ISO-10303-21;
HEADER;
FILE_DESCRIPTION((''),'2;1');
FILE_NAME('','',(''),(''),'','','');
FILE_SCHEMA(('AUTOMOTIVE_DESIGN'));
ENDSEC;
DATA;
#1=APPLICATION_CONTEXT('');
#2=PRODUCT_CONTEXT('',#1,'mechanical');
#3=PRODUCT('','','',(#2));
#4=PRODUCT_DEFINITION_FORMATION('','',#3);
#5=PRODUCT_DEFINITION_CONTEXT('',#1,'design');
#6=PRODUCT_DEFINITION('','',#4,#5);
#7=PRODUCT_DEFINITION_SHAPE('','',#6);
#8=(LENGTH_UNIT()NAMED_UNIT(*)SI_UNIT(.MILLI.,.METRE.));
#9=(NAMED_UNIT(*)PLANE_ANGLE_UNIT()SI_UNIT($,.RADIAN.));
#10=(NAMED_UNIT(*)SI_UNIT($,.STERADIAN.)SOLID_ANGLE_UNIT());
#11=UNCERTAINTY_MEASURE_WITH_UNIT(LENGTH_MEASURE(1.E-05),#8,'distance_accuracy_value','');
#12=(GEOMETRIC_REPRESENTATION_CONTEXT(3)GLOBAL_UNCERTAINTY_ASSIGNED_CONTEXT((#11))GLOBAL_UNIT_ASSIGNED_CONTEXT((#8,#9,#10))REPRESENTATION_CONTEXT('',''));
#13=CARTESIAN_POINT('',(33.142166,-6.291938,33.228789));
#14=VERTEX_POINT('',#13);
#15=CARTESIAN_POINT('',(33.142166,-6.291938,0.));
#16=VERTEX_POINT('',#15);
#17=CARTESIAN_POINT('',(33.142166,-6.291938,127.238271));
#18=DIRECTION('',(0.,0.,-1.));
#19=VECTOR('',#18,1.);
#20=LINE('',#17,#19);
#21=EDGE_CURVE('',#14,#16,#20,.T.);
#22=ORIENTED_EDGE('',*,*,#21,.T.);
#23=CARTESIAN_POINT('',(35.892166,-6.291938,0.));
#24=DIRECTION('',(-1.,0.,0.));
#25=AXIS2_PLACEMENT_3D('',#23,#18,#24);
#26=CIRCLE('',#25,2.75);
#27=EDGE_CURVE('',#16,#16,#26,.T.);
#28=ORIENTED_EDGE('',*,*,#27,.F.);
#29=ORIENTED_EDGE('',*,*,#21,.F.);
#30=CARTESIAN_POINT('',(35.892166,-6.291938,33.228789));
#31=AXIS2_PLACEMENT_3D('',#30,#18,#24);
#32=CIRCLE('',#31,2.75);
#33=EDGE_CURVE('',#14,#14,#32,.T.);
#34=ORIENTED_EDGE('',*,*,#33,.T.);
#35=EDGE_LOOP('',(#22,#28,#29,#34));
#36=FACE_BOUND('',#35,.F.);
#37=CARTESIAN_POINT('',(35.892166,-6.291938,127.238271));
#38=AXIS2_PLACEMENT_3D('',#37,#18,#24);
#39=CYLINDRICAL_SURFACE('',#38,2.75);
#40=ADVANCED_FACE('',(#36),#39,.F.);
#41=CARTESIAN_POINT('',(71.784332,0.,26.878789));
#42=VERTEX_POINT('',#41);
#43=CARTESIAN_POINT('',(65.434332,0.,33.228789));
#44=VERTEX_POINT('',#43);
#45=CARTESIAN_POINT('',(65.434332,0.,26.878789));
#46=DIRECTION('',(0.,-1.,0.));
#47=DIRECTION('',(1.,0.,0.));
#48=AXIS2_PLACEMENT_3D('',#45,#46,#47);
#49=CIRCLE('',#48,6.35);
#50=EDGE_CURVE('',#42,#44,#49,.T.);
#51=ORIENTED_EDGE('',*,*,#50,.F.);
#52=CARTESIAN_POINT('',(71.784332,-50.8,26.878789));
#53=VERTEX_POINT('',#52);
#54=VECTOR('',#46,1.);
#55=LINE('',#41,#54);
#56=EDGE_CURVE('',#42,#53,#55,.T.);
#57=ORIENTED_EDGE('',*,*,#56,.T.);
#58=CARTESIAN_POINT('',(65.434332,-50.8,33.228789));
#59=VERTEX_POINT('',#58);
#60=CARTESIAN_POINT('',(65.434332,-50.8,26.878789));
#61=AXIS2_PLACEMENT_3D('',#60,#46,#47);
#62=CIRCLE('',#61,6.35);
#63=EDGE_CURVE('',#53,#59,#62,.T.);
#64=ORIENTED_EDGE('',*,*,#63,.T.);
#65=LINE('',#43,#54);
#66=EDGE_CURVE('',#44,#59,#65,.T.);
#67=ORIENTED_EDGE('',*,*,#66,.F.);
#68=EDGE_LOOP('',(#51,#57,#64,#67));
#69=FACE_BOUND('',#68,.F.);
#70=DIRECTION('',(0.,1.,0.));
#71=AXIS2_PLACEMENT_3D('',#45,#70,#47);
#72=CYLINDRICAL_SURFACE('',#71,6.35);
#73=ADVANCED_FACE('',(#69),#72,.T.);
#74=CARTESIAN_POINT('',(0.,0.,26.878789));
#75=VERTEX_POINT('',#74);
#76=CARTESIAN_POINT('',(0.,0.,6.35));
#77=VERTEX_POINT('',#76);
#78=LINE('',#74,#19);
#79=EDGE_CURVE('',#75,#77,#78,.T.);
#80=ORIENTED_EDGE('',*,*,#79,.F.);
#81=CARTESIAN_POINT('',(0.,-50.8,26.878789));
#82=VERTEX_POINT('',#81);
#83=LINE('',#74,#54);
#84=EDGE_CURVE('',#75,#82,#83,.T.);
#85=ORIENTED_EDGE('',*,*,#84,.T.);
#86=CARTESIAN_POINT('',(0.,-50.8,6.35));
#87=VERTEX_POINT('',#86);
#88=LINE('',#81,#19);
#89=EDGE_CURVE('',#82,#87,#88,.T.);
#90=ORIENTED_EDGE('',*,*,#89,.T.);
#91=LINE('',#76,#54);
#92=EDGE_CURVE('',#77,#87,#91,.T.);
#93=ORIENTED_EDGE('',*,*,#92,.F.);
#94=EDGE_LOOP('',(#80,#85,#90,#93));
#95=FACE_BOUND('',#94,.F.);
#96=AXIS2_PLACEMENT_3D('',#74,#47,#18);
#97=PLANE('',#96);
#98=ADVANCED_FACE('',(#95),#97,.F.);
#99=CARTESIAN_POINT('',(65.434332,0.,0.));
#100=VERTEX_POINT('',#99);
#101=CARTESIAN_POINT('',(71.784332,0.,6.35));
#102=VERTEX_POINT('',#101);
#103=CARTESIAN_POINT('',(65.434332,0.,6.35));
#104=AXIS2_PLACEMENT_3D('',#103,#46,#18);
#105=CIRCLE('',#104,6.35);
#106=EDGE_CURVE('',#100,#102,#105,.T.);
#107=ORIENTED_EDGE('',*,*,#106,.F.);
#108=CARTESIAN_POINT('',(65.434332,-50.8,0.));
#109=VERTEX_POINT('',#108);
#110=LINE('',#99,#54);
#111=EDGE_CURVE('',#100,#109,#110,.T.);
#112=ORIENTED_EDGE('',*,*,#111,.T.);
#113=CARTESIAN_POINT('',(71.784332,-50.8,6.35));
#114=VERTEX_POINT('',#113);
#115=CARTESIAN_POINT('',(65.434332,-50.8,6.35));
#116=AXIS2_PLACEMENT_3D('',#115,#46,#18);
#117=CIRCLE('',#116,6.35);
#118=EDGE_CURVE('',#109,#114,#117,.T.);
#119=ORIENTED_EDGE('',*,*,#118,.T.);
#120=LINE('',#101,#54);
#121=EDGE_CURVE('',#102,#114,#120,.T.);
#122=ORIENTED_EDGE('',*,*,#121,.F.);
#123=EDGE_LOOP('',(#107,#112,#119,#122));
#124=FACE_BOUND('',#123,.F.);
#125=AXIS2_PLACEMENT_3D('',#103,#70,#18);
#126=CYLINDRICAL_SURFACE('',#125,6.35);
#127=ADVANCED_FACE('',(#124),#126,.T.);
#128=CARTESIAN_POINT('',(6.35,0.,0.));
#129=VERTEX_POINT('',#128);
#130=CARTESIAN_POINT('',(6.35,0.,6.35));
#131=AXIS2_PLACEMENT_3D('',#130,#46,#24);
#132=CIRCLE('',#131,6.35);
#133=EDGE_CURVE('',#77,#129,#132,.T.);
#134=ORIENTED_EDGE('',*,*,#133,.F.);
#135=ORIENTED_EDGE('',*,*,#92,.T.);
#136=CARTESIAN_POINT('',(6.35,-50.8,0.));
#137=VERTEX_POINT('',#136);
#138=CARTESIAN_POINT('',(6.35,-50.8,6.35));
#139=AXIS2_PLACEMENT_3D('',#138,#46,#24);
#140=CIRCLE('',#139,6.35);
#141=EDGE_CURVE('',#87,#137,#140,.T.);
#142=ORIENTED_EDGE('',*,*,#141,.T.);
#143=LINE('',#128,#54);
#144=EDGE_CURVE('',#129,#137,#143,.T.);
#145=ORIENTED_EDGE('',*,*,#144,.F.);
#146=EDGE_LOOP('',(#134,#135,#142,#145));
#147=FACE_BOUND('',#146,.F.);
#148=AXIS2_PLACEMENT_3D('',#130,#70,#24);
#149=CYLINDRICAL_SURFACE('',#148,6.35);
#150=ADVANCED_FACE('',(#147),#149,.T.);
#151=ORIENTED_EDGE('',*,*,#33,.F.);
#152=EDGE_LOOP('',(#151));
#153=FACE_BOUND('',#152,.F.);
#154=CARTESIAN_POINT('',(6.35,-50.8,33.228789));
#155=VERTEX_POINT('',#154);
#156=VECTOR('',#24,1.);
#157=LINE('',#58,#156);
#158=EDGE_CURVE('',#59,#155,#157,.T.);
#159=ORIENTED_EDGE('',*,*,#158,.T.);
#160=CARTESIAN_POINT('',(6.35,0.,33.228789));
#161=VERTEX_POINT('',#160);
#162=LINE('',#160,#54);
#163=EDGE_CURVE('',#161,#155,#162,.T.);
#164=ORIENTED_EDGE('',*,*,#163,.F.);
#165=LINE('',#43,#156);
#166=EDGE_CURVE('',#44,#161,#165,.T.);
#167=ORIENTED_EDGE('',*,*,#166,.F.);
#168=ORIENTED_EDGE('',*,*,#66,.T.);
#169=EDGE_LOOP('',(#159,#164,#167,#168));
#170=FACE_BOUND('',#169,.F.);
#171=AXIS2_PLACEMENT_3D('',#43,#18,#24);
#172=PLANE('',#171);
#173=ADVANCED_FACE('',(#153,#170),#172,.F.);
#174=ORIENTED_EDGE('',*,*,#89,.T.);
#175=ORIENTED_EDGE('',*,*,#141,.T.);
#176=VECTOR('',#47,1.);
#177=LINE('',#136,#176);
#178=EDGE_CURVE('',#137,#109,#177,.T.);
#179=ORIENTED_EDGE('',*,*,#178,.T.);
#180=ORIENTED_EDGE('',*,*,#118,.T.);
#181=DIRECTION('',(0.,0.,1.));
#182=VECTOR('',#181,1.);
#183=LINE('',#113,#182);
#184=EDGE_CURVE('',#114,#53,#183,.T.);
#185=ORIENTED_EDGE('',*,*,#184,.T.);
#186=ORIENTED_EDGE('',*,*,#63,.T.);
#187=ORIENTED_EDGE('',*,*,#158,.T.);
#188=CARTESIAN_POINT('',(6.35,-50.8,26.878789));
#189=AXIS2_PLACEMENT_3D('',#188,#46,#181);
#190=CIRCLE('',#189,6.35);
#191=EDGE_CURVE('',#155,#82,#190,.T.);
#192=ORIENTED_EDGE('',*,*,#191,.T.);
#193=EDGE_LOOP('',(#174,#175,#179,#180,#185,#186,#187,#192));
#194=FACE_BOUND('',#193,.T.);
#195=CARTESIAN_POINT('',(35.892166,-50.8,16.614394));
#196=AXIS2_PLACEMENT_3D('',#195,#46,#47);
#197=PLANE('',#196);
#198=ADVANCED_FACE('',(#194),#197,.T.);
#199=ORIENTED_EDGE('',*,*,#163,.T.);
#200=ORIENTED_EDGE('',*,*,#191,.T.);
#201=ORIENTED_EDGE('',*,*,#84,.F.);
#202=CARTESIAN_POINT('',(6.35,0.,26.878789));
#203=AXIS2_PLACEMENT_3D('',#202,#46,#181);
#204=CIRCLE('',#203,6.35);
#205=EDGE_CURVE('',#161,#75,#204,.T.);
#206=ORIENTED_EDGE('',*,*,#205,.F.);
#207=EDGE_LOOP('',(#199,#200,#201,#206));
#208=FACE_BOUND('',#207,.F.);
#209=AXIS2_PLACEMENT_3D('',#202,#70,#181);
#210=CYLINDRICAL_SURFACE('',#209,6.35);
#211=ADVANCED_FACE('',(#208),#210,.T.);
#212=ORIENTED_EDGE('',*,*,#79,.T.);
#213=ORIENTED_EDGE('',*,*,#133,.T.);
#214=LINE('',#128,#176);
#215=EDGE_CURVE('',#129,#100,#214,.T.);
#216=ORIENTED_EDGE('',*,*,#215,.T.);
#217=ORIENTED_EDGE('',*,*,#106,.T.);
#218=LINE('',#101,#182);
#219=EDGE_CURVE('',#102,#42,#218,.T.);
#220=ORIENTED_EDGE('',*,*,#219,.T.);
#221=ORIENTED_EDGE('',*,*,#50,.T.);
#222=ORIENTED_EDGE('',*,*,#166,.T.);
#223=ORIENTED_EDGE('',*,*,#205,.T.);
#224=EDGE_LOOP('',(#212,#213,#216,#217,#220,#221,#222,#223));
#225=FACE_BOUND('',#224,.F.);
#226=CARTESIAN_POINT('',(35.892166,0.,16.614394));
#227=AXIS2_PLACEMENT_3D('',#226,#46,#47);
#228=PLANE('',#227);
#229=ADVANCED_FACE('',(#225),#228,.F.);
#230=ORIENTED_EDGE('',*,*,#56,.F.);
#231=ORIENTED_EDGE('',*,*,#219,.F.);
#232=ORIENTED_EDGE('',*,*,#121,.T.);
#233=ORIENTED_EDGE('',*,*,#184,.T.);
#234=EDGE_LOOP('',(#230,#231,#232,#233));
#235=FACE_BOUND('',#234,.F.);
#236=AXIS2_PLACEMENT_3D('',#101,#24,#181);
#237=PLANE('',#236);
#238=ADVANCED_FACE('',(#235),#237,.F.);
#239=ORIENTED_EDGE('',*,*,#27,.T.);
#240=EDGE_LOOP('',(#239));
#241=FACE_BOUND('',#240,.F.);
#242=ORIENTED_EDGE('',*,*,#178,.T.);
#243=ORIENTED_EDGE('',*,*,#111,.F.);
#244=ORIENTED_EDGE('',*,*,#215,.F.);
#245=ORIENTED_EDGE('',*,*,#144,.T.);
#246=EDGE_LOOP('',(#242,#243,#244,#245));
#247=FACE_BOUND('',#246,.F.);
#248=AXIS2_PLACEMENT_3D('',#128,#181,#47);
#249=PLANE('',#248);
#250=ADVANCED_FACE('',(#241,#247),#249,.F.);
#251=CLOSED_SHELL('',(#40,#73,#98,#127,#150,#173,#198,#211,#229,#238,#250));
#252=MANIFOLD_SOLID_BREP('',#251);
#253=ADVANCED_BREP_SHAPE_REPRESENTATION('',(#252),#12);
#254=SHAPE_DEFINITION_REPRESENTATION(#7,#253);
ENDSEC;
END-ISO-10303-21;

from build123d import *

# Parameters (mm, degrees)
F1_DEPTH = 50.8
F3_D     = 5.5


with BuildPart() as f1:
    # F0 (on Front) → F1 (new body)
    with BuildSketch(Plane.XZ):
        with BuildLine():
            ThreePointArc((0, 6.35), (1.8598719395, 1.8598719395), (6.35, 0))
            Line((6.35, 0), (65.4343323946, 0))
            ThreePointArc((65.4343323946, 0), (69.9244604551, 1.8598719395), (71.7843323946, 6.35))
            Line((71.7843323946, 6.35), (71.7843323946, 26.8787885249))
            ThreePointArc((71.7843323946, 26.8787885249), (69.9244604551, 31.3689165854), (65.4343323946, 33.2287885249))
            Line((65.4343323946, 33.2287885249), (6.35, 33.2287885249))
            ThreePointArc((6.35, 33.2287885249), (1.8598719395, 31.3689165854), (0, 26.8787885249))
            Line((0, 26.8787885249), (0, 6.35))
        make_face()
    extrude(amount=F1_DEPTH)

    # F3 (through all)
    with Locations(Plane.XY.offset(33.2287885249)):
        with Locations((35.8921661973, -6.2919375487)):
            Hole(F3_D / 2)


solid = f1.part
